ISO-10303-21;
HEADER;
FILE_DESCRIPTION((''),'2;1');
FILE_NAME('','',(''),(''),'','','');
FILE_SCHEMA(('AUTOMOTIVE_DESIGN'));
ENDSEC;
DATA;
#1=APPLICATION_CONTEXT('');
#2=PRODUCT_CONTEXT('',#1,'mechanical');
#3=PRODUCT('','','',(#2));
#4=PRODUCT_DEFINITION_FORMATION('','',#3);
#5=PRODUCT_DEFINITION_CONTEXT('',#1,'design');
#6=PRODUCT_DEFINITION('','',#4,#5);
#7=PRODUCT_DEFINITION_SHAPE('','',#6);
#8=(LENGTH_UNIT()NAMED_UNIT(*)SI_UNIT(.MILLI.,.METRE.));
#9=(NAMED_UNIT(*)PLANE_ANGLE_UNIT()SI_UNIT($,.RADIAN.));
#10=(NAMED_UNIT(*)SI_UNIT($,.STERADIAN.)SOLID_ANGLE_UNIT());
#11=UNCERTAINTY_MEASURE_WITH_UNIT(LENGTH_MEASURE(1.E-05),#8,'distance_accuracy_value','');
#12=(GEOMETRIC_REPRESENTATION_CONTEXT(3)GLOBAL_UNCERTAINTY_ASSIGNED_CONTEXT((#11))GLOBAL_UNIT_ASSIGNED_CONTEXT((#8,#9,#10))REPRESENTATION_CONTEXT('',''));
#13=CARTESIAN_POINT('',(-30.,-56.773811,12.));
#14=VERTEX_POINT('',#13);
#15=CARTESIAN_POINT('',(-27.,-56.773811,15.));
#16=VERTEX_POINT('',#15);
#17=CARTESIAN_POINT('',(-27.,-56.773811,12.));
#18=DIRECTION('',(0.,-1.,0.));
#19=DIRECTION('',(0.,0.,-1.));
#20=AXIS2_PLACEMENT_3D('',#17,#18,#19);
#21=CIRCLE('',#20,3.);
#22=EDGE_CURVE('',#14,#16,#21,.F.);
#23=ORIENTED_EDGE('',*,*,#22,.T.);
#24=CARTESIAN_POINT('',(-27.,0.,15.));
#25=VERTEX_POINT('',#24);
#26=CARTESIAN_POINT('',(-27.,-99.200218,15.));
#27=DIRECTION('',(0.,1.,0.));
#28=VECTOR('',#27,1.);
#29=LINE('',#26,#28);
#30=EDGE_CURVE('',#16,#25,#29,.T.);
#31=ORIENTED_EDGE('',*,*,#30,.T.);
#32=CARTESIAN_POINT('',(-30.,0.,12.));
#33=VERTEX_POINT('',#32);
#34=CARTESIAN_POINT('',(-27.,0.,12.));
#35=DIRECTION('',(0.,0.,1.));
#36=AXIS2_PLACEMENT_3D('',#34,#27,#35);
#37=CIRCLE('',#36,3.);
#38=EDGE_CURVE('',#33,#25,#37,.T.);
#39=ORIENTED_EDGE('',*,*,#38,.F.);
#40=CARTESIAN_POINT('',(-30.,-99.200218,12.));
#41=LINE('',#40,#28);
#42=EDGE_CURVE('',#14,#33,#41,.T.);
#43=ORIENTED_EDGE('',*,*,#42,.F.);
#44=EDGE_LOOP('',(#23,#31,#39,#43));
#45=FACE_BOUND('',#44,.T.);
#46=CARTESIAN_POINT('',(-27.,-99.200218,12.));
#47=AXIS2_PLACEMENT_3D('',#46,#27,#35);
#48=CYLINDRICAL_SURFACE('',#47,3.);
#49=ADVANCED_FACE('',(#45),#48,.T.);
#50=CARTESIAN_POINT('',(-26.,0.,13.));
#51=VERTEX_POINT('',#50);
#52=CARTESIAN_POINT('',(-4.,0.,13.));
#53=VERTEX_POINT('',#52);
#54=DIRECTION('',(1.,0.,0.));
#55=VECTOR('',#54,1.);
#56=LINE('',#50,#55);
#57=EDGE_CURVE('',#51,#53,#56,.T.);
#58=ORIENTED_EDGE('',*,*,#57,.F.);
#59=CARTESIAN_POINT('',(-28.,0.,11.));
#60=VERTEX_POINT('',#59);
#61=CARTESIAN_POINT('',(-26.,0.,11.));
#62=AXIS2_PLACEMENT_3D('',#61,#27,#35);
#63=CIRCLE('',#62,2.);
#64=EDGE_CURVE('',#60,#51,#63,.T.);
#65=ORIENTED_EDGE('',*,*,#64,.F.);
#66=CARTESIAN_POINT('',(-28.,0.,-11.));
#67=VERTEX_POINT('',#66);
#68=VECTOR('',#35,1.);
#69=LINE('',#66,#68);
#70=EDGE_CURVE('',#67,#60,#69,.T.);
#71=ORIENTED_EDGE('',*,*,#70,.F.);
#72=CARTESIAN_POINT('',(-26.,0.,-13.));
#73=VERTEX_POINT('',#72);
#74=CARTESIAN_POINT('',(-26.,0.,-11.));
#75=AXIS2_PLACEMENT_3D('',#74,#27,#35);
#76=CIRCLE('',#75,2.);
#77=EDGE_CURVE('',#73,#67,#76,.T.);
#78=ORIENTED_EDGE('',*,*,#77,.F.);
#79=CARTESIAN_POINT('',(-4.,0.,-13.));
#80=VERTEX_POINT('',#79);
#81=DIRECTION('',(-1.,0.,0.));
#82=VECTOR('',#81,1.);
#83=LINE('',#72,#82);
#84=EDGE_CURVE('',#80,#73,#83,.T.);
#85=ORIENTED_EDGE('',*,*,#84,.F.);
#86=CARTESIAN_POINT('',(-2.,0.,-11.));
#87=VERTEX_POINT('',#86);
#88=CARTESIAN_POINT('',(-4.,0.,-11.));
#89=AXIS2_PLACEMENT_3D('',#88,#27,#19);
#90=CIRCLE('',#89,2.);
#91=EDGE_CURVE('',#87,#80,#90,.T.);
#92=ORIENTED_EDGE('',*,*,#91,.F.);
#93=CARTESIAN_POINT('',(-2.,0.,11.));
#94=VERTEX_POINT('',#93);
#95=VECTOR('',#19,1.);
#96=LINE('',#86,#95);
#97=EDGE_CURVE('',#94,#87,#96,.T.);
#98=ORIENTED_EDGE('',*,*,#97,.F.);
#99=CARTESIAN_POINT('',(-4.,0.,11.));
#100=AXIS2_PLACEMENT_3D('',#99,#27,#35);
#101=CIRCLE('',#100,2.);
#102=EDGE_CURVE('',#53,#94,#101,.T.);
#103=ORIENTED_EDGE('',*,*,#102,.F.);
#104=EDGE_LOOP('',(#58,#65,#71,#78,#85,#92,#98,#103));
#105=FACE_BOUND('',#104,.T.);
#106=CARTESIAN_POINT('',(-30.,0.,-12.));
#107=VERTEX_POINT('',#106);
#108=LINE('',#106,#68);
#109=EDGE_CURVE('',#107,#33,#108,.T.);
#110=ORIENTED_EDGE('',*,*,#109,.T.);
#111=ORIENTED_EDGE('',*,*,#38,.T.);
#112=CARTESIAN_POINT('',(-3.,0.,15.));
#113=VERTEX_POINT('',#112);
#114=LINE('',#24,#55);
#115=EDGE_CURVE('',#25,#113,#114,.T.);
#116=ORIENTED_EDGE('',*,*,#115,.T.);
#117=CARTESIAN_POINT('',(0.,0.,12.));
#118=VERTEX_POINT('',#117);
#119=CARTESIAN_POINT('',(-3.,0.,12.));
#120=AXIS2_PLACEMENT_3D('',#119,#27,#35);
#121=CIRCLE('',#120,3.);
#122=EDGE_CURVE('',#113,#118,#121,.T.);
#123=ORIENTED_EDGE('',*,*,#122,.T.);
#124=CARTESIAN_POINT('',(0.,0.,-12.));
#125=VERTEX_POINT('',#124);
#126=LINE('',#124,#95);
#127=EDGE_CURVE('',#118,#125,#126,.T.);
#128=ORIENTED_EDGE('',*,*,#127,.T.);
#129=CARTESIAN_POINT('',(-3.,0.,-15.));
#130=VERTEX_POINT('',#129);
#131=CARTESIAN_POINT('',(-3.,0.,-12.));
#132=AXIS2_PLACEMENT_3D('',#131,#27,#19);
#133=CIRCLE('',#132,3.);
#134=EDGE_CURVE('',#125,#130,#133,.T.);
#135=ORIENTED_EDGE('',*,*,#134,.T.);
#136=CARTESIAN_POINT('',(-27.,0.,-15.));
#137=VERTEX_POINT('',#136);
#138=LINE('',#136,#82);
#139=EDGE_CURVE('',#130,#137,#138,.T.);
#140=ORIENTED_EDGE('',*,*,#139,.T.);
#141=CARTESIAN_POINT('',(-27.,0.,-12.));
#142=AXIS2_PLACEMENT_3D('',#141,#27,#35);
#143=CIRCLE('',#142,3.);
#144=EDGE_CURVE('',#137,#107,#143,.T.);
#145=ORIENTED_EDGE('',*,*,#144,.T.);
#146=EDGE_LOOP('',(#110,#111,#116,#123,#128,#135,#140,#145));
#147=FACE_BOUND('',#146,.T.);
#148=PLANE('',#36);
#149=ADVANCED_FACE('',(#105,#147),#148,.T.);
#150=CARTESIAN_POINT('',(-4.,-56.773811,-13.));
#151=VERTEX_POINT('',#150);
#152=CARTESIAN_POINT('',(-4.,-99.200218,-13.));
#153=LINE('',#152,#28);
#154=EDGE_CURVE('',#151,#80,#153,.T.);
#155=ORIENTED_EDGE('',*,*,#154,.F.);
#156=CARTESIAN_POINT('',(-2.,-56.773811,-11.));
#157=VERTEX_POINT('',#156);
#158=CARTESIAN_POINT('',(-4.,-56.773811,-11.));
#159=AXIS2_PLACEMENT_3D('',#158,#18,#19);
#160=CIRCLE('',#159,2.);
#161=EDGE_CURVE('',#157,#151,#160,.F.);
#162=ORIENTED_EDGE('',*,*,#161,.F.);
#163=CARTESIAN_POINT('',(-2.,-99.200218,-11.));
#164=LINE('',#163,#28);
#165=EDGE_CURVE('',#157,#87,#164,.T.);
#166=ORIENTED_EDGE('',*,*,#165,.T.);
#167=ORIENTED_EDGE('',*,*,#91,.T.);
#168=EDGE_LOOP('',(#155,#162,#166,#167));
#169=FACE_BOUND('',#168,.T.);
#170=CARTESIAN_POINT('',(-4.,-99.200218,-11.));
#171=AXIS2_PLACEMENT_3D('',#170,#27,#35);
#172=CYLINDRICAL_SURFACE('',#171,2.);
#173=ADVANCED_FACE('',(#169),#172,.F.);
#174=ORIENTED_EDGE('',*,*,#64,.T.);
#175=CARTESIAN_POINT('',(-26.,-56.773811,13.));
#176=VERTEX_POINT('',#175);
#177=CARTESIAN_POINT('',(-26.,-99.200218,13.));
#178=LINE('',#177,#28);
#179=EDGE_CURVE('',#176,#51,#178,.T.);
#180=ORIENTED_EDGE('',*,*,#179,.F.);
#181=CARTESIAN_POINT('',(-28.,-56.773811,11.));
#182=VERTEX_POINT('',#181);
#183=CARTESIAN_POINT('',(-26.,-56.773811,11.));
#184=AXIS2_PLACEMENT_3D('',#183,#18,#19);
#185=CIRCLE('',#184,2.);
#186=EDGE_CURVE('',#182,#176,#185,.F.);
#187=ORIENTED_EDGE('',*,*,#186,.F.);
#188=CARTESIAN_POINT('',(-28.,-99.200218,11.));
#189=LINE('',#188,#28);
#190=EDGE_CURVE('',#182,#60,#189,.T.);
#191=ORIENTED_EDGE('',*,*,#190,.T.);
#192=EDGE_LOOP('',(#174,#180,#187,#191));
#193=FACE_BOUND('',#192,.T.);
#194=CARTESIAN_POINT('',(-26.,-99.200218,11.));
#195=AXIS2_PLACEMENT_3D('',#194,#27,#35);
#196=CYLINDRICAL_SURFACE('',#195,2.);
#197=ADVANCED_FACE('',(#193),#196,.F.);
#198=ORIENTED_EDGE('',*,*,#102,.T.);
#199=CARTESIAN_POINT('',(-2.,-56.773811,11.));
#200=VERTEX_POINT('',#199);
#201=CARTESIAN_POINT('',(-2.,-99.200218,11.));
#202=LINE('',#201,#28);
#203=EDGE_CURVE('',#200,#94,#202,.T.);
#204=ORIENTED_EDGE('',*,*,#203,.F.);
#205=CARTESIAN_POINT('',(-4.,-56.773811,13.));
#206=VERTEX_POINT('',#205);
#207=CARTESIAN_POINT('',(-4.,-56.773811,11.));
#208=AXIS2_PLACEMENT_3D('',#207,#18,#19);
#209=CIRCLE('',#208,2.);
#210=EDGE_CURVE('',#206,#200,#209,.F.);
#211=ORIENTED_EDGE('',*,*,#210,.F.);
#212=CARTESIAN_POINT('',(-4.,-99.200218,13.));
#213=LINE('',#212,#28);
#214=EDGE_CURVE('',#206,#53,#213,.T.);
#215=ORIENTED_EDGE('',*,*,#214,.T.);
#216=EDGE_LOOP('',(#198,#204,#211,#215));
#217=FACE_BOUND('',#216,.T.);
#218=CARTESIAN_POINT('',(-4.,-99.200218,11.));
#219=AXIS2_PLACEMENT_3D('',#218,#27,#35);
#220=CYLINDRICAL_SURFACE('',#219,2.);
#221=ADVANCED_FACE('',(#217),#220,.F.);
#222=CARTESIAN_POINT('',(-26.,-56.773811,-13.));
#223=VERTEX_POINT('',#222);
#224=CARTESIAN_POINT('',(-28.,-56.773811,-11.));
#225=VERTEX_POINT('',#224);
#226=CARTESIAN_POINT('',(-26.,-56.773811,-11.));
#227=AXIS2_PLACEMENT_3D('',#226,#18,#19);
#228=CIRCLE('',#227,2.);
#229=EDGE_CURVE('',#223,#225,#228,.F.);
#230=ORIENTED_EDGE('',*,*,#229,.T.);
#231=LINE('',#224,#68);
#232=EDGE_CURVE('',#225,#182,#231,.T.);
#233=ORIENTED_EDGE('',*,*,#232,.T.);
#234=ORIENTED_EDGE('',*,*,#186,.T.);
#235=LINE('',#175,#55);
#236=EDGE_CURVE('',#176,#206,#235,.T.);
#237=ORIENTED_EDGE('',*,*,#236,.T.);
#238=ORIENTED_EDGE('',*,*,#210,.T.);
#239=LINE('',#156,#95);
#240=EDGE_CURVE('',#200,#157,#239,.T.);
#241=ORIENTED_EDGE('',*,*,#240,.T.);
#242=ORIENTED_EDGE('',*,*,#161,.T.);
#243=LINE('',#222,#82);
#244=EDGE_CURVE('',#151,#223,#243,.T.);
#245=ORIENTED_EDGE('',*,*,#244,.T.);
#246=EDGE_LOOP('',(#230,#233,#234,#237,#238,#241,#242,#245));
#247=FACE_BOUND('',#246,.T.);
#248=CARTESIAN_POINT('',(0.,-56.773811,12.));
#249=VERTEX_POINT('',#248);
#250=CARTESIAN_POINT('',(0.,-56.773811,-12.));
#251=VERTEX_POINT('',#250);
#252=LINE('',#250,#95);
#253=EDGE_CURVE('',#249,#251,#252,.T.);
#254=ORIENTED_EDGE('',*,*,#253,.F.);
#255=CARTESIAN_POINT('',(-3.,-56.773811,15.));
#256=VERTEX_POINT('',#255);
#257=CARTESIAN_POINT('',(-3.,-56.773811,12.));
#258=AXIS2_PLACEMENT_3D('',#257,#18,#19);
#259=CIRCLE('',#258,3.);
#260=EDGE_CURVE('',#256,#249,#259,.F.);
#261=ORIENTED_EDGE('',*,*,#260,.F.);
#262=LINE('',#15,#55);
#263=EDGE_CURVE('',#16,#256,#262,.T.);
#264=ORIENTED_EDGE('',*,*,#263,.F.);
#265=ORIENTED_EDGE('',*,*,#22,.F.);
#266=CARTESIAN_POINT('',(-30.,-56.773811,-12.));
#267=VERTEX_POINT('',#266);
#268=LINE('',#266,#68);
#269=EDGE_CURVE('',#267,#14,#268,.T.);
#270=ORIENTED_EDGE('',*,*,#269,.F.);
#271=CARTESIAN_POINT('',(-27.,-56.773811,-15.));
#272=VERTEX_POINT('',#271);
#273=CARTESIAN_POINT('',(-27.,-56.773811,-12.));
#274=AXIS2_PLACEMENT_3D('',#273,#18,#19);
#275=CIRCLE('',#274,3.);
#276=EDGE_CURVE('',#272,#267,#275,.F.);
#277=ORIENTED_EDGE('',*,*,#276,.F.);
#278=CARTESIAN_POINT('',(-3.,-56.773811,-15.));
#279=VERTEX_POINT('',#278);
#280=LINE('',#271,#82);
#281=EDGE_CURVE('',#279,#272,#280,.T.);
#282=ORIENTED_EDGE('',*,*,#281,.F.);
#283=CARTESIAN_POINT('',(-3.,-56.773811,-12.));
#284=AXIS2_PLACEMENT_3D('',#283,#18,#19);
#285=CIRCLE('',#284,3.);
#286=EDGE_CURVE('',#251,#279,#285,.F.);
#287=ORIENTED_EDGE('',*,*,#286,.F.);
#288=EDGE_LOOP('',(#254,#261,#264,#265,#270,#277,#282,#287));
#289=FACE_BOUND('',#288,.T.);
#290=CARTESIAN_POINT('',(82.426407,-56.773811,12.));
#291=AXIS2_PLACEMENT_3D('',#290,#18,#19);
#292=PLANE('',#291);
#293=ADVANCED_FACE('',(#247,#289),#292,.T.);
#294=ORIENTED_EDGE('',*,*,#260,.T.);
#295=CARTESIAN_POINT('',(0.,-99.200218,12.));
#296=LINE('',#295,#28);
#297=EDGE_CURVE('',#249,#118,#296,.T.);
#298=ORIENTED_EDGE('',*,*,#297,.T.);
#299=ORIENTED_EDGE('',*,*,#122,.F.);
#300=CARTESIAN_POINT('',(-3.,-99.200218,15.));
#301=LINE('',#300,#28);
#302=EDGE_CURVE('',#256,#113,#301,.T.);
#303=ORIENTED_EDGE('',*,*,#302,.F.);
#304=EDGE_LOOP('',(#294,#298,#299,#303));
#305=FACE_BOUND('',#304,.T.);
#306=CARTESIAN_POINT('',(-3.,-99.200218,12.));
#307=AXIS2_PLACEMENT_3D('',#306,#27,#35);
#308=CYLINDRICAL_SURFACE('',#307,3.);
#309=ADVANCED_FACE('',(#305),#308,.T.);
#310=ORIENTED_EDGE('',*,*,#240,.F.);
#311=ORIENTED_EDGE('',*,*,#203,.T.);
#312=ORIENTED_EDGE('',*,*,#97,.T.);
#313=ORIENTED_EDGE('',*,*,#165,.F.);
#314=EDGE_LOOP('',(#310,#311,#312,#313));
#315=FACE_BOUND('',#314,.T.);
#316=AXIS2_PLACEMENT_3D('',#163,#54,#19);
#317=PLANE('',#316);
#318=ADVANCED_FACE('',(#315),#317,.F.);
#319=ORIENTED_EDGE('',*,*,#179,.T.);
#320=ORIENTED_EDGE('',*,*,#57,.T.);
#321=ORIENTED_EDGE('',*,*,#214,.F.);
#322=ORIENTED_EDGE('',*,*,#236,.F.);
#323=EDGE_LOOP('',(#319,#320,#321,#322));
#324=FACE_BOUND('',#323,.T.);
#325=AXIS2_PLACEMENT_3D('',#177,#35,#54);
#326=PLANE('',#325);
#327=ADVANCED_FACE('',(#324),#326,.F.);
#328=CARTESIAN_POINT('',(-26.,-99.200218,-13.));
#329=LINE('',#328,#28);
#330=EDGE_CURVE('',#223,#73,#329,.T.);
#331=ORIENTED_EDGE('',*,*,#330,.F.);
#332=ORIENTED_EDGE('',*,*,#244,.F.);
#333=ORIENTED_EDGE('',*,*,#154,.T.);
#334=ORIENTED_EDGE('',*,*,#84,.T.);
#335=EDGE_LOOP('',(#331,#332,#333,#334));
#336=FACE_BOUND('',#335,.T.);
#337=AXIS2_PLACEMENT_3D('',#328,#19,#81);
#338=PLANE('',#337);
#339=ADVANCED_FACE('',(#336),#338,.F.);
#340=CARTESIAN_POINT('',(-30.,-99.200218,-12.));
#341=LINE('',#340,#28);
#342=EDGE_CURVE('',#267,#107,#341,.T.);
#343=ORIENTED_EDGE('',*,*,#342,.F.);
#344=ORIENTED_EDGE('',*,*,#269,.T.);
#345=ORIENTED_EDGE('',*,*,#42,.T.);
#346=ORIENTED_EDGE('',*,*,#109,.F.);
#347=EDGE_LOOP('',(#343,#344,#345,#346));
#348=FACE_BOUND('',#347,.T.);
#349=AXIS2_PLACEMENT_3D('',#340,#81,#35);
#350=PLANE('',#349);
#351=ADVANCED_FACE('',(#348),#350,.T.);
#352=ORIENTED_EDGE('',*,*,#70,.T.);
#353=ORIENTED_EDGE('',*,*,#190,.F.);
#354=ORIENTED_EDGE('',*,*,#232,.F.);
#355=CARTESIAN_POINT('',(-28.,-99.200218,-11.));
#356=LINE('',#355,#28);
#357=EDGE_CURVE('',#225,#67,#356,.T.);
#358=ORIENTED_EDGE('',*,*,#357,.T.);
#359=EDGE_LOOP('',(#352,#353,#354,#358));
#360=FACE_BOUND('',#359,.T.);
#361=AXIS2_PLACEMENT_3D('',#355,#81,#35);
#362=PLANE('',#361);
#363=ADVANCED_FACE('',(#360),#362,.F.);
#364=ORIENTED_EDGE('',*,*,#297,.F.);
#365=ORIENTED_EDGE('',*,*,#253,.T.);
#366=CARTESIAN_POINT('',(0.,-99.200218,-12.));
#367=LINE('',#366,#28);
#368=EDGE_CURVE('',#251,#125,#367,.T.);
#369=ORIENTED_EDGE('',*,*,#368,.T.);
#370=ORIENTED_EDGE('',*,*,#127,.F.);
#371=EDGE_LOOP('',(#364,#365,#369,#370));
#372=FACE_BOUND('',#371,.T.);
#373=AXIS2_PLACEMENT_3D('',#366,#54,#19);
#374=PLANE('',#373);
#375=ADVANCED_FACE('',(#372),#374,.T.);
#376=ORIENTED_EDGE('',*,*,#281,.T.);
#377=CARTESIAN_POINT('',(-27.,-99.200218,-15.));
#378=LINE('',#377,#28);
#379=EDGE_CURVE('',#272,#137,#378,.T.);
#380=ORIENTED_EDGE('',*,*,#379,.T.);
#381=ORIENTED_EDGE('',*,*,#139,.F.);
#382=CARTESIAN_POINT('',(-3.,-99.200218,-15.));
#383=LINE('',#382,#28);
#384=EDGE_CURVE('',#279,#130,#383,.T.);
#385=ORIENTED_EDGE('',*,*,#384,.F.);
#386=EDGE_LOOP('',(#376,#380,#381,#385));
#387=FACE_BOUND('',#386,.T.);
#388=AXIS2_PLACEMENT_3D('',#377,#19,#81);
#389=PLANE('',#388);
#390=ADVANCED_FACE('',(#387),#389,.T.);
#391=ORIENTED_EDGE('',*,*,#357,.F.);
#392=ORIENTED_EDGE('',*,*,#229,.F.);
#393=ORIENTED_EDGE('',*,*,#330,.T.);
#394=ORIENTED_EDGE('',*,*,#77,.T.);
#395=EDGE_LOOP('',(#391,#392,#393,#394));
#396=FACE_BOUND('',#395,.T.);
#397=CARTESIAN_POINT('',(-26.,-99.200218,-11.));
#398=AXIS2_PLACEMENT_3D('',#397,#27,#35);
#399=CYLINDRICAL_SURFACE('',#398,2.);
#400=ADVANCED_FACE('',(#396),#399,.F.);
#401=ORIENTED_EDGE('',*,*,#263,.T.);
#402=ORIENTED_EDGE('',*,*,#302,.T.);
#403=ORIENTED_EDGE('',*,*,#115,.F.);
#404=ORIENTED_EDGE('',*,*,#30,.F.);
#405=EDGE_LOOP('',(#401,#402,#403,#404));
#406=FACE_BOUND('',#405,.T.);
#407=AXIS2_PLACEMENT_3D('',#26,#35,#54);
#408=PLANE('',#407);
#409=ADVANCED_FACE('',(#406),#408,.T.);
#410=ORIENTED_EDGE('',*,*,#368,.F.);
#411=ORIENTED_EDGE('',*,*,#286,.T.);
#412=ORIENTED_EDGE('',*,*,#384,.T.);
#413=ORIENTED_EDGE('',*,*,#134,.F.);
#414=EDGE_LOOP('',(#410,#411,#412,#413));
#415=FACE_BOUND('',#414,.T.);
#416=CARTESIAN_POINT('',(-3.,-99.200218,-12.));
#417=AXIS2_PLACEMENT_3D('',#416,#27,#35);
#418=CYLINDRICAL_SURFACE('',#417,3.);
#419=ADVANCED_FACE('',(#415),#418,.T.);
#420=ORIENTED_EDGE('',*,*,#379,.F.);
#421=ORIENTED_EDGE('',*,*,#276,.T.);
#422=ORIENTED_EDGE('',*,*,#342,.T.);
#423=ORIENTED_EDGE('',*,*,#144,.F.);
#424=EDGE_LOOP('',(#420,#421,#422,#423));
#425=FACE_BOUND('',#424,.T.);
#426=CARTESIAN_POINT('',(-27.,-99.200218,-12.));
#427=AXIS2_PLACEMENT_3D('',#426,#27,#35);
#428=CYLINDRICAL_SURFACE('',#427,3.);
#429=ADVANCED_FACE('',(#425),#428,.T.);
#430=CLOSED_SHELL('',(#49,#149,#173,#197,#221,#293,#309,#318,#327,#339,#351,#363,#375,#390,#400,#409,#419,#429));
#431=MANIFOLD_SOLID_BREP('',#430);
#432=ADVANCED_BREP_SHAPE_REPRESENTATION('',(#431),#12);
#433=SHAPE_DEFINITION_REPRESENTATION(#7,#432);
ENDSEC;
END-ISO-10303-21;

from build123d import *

# Parameters (mm, degrees)
EXTRUDE_1_DEPTH = 56.773811


with BuildPart() as part:
    # Эскиз1 → Бобышка-Вытянуть1 (new body)
    with BuildSketch(Plane(origin=(0, 0, 0), x_dir=(1, 0, 0), z_dir=(0, 1, 0))):
        with BuildLine():
            Line((-27, 15), (-3, 15))
            ThreePointArc((-3, 15), (-0.878679656, 14.121320344), (0, 12))
            Line((0, 12), (0, -12))
            ThreePointArc((0, -12), (-0.878679656, -14.121320344), (-3, -15))
            Line((-3, -15), (-27, -15))
            ThreePointArc((-27, -15), (-29.121320344, -14.121320344), (-30, -12))
            Line((-30, -12), (-30, 12))
            ThreePointArc((-30, 12), (-29.121320344, 14.121320344), (-27, 15))
        make_face()
        with BuildLine():
            Line((-26, 13), (-4, 13))
            ThreePointArc((-4, 13), (-2.585786438, 12.414213562), (-2, 11))
            Line((-2, 11), (-2, -11))
            ThreePointArc((-2, -11), (-2.585786438, -12.414213562), (-4, -13))
            Line((-4, -13), (-26, -13))
            ThreePointArc((-26, -13), (-27.414213562, -12.414213562), (-28, -11))
            Line((-28, -11), (-28, 11))
            ThreePointArc((-28, 11), (-27.414213562, 12.414213562), (-26, 13))
        make_face(mode=Mode.SUBTRACT)
    extrude(amount=-EXTRUDE_1_DEPTH)


solid = part.part
